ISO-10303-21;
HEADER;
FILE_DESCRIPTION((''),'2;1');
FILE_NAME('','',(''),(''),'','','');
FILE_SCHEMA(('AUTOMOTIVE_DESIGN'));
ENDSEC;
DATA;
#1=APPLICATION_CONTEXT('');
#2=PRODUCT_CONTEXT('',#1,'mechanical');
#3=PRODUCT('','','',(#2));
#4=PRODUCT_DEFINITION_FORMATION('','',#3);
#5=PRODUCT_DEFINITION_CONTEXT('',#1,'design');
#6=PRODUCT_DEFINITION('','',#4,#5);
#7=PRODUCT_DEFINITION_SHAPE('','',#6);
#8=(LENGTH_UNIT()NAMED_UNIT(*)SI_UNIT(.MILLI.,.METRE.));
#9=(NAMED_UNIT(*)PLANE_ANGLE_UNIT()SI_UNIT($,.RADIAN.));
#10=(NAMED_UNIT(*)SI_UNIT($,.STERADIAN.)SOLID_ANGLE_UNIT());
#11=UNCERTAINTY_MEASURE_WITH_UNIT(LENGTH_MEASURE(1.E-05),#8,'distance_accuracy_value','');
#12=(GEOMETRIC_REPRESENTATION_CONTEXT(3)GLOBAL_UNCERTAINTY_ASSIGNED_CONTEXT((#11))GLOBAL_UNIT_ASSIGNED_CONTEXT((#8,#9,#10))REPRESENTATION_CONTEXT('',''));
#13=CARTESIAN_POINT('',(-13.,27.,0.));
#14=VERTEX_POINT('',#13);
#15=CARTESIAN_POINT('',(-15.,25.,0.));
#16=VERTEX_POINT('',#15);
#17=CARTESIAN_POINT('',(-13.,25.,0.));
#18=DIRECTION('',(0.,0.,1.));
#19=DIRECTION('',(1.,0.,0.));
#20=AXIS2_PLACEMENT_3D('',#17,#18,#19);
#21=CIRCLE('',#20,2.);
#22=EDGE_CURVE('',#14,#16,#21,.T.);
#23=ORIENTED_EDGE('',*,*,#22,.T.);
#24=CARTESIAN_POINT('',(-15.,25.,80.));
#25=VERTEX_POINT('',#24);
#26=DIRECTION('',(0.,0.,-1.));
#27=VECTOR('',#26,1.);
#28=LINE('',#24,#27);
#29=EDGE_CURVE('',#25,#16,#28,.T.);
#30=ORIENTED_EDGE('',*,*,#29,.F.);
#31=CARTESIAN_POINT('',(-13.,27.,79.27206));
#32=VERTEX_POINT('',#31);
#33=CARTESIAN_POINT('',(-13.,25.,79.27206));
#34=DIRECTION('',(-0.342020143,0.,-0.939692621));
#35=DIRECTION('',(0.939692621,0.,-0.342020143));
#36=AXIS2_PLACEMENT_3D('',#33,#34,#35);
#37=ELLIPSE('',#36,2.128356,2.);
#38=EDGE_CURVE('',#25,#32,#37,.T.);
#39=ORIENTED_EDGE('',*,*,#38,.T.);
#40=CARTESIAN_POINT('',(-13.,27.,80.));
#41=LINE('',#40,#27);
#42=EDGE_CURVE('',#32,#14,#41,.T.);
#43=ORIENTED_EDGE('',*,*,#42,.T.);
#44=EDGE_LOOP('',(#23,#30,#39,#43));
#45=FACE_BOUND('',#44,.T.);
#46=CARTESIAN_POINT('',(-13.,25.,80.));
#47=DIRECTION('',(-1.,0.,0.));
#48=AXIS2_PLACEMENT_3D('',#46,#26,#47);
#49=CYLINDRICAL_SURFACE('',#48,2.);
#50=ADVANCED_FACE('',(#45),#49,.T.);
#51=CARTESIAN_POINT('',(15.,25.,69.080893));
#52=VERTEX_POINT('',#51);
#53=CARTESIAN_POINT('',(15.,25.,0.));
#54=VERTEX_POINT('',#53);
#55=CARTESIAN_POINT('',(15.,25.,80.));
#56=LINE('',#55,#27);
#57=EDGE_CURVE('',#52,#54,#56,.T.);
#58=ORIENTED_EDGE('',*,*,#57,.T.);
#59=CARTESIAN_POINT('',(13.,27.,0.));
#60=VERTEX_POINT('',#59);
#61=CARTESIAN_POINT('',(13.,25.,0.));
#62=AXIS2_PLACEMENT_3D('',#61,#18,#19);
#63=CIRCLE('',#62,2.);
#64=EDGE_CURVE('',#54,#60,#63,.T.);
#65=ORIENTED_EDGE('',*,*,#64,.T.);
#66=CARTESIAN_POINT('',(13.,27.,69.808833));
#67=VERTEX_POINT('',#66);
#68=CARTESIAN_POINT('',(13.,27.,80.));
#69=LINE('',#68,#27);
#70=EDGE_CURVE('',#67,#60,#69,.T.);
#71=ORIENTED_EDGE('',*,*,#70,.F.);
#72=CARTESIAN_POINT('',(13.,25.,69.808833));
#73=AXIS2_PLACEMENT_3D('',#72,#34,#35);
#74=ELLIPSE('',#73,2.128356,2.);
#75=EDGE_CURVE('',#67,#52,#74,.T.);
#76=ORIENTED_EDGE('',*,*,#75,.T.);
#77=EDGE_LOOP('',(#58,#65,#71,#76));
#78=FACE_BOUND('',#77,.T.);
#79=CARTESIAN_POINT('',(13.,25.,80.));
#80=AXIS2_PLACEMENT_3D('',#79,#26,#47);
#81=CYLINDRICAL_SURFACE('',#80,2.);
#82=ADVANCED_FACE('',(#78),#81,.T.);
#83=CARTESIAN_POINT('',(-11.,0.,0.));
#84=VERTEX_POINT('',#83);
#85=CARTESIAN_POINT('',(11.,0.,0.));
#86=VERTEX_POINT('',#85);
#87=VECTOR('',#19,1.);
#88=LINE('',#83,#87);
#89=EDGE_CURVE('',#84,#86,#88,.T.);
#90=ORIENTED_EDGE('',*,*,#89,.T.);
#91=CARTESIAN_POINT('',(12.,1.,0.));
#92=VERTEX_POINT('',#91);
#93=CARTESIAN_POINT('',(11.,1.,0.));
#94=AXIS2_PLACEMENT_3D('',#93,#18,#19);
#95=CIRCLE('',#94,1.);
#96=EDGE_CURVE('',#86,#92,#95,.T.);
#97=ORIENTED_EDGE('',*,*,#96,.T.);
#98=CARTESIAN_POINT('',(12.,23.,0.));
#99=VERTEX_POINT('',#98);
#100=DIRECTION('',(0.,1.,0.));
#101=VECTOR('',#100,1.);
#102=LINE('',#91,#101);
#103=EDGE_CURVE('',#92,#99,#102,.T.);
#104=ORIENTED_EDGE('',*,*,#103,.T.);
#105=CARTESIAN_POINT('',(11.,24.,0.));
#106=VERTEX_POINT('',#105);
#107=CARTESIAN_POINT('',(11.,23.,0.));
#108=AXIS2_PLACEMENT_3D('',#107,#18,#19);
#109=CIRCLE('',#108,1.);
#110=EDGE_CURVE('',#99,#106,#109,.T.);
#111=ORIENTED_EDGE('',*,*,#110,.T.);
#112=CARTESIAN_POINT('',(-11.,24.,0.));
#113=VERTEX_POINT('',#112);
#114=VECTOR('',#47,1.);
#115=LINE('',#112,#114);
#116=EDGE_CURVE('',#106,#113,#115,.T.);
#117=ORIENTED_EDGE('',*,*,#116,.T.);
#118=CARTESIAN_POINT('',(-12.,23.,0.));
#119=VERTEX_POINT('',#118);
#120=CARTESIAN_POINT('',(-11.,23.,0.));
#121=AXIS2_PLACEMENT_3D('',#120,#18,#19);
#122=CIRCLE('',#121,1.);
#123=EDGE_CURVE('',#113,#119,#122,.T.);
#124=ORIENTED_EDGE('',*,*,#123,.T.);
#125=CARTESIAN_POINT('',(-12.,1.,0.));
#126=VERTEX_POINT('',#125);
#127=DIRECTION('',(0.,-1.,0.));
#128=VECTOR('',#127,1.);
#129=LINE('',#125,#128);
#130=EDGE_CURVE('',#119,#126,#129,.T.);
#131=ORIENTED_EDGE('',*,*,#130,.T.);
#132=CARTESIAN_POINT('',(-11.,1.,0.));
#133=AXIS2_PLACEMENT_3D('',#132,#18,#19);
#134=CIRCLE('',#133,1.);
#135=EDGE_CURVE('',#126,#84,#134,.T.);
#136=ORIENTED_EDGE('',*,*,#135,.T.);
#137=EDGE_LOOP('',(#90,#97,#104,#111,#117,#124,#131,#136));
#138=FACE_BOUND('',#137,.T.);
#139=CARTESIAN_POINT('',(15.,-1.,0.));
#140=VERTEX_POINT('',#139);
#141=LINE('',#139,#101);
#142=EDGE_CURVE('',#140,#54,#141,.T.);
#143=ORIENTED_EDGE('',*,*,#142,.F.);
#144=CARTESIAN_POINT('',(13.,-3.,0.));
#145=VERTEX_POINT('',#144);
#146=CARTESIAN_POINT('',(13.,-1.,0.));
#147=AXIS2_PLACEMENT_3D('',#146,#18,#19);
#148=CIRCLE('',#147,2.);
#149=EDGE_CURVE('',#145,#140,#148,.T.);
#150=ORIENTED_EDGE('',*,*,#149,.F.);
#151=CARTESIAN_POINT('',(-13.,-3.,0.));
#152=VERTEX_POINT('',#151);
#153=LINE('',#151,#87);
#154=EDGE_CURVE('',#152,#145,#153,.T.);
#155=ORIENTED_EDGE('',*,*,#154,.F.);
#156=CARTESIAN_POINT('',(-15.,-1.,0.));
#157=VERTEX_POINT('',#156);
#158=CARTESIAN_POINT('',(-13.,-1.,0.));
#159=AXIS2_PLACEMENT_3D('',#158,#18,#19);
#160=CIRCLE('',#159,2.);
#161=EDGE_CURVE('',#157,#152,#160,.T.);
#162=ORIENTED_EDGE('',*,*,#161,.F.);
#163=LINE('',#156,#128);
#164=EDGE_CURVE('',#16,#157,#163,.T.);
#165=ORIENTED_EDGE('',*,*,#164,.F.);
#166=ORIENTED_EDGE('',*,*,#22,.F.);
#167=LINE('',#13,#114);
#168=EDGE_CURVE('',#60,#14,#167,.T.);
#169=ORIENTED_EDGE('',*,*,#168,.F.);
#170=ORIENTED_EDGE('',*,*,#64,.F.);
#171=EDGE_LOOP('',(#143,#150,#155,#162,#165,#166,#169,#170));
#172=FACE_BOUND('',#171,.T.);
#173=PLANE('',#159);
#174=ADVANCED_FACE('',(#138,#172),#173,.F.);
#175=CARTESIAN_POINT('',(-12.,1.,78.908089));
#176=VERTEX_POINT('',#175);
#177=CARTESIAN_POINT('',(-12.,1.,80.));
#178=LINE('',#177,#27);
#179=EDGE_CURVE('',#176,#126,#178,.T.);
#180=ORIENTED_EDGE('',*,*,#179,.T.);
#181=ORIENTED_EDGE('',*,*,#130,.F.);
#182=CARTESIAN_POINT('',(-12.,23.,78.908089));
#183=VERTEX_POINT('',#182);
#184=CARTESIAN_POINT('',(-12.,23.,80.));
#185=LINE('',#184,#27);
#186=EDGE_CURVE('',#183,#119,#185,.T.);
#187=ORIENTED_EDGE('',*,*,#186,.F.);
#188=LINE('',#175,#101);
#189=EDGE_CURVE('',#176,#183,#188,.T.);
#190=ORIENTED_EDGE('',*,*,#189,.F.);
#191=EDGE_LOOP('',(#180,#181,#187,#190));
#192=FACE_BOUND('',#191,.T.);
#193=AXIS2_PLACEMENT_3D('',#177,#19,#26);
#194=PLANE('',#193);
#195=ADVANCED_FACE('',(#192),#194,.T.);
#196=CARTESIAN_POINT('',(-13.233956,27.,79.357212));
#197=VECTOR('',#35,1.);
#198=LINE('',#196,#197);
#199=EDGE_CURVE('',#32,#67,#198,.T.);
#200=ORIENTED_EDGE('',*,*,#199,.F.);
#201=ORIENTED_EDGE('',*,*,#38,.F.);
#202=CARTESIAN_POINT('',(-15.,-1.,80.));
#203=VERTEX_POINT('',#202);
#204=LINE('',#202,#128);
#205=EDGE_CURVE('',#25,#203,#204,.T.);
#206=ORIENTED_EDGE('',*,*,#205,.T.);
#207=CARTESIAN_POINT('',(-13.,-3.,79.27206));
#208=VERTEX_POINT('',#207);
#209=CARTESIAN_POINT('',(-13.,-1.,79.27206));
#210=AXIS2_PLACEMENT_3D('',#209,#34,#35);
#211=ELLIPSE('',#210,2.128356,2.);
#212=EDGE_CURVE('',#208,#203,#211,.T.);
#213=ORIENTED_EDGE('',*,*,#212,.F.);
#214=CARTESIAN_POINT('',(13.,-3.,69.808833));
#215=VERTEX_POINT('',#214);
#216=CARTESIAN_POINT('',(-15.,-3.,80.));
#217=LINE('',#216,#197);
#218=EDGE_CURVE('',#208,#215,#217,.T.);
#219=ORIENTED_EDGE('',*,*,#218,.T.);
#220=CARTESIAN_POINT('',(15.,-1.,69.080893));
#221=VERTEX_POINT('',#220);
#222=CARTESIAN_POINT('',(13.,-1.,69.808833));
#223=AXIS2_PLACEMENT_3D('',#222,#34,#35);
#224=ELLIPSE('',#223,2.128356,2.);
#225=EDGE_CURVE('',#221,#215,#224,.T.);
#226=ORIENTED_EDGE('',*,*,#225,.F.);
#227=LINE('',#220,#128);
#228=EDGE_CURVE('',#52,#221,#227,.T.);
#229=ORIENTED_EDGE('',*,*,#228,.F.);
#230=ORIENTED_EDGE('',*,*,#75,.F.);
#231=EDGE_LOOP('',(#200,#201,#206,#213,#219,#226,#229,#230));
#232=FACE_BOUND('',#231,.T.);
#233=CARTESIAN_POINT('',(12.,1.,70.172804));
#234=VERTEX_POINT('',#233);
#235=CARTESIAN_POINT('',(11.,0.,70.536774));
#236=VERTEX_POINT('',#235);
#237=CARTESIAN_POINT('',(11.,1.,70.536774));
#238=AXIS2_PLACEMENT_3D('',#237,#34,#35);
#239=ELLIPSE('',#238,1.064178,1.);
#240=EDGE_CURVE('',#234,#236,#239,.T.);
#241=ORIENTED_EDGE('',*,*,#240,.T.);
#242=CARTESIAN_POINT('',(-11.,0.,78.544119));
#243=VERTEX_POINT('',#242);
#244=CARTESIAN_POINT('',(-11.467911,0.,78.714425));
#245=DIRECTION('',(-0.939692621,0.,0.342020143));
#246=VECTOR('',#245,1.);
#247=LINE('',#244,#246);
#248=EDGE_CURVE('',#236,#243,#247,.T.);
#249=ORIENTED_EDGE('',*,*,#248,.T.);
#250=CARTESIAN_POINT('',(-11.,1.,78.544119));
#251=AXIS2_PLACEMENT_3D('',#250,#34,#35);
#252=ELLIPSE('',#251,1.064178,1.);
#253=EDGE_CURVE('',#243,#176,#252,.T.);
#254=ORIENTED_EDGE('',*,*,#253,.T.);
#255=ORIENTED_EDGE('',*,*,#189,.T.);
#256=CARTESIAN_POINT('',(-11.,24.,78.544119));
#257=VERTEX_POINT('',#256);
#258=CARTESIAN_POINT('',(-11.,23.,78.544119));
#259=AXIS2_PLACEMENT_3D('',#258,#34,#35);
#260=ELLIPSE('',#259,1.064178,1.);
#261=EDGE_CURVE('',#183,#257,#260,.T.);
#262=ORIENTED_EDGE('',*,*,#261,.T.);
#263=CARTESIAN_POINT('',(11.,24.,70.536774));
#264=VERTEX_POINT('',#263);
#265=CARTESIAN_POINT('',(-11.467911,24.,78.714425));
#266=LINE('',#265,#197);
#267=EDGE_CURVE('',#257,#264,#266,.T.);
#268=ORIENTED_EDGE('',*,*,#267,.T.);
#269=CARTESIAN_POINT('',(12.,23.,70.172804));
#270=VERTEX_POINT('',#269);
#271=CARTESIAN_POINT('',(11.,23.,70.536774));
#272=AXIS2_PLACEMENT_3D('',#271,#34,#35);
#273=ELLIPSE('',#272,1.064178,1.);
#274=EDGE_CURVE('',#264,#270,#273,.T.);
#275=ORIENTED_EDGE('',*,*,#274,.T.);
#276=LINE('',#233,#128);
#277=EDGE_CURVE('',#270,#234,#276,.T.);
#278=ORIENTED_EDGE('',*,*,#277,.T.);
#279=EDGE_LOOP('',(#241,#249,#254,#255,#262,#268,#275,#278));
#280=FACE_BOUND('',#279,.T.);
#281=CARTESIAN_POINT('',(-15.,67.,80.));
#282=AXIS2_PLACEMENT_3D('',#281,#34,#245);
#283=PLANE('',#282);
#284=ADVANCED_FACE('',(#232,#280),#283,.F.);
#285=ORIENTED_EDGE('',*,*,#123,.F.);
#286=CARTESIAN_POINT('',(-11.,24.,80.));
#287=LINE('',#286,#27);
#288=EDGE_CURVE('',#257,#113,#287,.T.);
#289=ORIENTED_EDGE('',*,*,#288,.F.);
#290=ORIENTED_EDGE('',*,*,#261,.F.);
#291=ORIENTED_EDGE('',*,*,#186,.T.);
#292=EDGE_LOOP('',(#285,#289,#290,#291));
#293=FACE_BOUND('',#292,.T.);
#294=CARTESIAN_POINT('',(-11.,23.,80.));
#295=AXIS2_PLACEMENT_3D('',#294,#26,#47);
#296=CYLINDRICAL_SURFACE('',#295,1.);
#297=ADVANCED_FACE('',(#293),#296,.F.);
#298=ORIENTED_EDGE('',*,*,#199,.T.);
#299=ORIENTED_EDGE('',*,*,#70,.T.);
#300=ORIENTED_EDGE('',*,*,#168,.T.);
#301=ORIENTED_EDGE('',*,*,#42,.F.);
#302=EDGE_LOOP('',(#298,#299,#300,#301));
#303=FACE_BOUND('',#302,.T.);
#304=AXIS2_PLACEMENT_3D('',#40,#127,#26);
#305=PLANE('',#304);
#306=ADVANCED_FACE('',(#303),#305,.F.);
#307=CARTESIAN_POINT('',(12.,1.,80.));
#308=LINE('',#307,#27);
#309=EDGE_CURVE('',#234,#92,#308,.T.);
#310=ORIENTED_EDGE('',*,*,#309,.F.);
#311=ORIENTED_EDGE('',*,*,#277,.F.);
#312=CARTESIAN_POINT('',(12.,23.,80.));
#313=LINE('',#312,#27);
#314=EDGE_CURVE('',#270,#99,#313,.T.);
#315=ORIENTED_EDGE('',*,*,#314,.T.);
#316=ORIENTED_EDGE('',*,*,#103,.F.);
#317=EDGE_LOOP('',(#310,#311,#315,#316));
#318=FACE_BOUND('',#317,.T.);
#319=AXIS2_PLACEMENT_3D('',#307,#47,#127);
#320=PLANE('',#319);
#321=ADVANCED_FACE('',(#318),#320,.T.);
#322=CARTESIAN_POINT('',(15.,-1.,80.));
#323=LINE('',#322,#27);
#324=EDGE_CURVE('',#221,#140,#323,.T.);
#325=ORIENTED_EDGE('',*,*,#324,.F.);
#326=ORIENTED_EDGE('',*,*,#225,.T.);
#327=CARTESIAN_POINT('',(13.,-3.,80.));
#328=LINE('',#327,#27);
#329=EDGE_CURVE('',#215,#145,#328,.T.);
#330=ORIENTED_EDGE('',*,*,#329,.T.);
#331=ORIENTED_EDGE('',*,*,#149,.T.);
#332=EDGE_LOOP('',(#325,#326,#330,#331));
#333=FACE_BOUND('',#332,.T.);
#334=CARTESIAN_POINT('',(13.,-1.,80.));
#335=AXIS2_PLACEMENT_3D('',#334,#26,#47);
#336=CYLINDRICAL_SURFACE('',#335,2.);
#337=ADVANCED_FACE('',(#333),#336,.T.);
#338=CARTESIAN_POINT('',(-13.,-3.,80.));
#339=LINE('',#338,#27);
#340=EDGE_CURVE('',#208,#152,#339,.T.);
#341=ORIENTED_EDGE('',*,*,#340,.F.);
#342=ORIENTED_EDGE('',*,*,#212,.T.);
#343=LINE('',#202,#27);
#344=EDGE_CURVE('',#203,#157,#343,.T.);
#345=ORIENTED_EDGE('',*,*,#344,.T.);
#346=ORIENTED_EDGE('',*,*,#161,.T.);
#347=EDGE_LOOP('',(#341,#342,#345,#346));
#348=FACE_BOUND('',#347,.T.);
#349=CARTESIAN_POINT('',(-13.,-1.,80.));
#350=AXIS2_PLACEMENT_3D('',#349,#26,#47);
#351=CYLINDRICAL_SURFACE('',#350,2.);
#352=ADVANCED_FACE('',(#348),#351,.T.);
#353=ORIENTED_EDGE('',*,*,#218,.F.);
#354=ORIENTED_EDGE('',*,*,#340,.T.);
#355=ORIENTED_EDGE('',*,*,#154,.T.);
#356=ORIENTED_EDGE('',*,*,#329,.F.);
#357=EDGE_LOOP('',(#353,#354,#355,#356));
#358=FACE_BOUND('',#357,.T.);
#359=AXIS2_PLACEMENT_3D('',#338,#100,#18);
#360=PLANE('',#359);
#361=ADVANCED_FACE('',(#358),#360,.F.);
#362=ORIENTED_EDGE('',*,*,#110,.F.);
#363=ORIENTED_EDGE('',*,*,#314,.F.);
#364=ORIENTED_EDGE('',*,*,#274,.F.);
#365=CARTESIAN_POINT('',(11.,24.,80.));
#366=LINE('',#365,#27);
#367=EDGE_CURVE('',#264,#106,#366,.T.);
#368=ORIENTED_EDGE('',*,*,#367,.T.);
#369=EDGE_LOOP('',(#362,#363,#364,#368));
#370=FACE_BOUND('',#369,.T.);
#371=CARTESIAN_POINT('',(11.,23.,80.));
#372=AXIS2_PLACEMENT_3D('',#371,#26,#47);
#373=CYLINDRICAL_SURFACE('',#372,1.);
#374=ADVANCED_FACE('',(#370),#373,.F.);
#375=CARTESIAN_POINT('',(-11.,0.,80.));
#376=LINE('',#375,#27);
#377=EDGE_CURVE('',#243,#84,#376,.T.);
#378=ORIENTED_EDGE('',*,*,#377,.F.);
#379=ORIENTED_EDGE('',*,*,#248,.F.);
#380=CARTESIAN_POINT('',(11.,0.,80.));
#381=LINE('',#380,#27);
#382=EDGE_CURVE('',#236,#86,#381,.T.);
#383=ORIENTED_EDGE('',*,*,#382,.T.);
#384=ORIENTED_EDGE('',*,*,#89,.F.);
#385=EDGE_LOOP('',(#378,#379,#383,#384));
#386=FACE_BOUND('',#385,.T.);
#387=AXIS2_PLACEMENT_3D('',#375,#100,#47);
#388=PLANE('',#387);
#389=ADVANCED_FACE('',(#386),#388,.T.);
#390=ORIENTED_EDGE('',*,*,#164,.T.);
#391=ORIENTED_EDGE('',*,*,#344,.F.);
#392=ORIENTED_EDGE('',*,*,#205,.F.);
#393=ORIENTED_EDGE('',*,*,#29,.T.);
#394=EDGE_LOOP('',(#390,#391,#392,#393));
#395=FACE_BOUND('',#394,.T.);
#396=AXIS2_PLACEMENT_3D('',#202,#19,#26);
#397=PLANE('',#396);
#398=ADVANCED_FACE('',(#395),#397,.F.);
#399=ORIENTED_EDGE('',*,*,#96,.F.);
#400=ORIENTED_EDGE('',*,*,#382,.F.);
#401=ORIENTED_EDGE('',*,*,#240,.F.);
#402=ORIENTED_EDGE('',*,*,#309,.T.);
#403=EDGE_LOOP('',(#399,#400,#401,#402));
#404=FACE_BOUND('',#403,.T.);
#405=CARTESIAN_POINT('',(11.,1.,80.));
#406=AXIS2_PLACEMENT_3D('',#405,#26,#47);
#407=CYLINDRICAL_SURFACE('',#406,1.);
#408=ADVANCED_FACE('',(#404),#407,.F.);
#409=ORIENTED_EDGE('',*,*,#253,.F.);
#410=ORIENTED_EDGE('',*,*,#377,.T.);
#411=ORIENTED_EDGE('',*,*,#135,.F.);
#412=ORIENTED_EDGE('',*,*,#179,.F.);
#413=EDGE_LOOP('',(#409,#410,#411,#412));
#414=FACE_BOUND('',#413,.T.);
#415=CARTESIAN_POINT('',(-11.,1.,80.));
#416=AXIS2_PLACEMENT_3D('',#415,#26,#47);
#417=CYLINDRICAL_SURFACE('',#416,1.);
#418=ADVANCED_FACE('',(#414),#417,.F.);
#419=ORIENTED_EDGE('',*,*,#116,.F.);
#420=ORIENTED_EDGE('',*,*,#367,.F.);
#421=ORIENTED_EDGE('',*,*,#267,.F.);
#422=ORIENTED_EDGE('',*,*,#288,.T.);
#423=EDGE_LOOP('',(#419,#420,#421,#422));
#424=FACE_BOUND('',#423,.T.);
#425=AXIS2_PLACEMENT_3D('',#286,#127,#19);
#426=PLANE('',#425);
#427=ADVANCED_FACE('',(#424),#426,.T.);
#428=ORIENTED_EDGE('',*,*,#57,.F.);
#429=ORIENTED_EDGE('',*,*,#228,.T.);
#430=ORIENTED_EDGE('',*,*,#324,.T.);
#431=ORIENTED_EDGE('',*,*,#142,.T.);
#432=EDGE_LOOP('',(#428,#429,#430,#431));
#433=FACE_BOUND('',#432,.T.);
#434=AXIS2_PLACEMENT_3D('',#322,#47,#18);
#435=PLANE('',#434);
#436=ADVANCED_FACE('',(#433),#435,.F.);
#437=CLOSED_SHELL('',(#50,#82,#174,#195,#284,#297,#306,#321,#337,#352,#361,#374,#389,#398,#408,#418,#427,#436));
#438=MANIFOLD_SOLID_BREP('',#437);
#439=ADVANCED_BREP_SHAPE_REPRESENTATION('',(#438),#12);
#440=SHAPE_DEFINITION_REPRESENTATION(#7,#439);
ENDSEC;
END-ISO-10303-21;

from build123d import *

# Parameters (mm, degrees)
DODANIE_WYCI_GNI_CIE1_DEPTH = 80
WYTNIJ_WYCI_GNI_CIE1_DEPTH  = 70


with BuildPart() as part:
    # Szkic1 → Dodanie-wyciągnięcie1 (new body)
    with BuildSketch(Plane.XY):
        with BuildLine():
            Line((-13, -3), (13, -3))
            ThreePointArc((13, -3), (14.414213562, -2.414213562), (15, -1))
            Line((15, -1), (15, 25))
            ThreePointArc((15, 25), (14.414213562, 26.414213562), (13, 27))
            Line((13, 27), (-13, 27))
            ThreePointArc((-13, 27), (-14.414213562, 26.414213562), (-15, 25))
            Line((-15, 25), (-15, -1))
            ThreePointArc((-15, -1), (-14.414213562, -2.414213562), (-13, -3))
        make_face()
        with BuildLine():
            Line((-11, 0), (11, 0))
            ThreePointArc((11, 0), (11.707106781, 0.292893219), (12, 1))
            Line((12, 1), (12, 23))
            ThreePointArc((12, 23), (11.707106781, 23.707106781), (11, 24))
            Line((11, 24), (-11, 24))
            ThreePointArc((-11, 24), (-11.707106781, 23.707106781), (-12, 23))
            Line((-12, 23), (-12, 1))
            ThreePointArc((-12, 1), (-11.707106781, 0.292893219), (-11, 0))
        make_face(mode=Mode.SUBTRACT)
    extrude(amount=DODANIE_WYCI_GNI_CIE1_DEPTH)

    # Szkic2 → Wytnij-wyciągnięcie1 (cut)
    with BuildSketch(Plane.XZ.offset(3)):
        Polygon((-15, 80), (63.522310859, 51.420216122), (63.522310859, 80), align=None)
    extrude(amount=-WYTNIJ_WYCI_GNI_CIE1_DEPTH, mode=Mode.SUBTRACT)


solid = part.part
